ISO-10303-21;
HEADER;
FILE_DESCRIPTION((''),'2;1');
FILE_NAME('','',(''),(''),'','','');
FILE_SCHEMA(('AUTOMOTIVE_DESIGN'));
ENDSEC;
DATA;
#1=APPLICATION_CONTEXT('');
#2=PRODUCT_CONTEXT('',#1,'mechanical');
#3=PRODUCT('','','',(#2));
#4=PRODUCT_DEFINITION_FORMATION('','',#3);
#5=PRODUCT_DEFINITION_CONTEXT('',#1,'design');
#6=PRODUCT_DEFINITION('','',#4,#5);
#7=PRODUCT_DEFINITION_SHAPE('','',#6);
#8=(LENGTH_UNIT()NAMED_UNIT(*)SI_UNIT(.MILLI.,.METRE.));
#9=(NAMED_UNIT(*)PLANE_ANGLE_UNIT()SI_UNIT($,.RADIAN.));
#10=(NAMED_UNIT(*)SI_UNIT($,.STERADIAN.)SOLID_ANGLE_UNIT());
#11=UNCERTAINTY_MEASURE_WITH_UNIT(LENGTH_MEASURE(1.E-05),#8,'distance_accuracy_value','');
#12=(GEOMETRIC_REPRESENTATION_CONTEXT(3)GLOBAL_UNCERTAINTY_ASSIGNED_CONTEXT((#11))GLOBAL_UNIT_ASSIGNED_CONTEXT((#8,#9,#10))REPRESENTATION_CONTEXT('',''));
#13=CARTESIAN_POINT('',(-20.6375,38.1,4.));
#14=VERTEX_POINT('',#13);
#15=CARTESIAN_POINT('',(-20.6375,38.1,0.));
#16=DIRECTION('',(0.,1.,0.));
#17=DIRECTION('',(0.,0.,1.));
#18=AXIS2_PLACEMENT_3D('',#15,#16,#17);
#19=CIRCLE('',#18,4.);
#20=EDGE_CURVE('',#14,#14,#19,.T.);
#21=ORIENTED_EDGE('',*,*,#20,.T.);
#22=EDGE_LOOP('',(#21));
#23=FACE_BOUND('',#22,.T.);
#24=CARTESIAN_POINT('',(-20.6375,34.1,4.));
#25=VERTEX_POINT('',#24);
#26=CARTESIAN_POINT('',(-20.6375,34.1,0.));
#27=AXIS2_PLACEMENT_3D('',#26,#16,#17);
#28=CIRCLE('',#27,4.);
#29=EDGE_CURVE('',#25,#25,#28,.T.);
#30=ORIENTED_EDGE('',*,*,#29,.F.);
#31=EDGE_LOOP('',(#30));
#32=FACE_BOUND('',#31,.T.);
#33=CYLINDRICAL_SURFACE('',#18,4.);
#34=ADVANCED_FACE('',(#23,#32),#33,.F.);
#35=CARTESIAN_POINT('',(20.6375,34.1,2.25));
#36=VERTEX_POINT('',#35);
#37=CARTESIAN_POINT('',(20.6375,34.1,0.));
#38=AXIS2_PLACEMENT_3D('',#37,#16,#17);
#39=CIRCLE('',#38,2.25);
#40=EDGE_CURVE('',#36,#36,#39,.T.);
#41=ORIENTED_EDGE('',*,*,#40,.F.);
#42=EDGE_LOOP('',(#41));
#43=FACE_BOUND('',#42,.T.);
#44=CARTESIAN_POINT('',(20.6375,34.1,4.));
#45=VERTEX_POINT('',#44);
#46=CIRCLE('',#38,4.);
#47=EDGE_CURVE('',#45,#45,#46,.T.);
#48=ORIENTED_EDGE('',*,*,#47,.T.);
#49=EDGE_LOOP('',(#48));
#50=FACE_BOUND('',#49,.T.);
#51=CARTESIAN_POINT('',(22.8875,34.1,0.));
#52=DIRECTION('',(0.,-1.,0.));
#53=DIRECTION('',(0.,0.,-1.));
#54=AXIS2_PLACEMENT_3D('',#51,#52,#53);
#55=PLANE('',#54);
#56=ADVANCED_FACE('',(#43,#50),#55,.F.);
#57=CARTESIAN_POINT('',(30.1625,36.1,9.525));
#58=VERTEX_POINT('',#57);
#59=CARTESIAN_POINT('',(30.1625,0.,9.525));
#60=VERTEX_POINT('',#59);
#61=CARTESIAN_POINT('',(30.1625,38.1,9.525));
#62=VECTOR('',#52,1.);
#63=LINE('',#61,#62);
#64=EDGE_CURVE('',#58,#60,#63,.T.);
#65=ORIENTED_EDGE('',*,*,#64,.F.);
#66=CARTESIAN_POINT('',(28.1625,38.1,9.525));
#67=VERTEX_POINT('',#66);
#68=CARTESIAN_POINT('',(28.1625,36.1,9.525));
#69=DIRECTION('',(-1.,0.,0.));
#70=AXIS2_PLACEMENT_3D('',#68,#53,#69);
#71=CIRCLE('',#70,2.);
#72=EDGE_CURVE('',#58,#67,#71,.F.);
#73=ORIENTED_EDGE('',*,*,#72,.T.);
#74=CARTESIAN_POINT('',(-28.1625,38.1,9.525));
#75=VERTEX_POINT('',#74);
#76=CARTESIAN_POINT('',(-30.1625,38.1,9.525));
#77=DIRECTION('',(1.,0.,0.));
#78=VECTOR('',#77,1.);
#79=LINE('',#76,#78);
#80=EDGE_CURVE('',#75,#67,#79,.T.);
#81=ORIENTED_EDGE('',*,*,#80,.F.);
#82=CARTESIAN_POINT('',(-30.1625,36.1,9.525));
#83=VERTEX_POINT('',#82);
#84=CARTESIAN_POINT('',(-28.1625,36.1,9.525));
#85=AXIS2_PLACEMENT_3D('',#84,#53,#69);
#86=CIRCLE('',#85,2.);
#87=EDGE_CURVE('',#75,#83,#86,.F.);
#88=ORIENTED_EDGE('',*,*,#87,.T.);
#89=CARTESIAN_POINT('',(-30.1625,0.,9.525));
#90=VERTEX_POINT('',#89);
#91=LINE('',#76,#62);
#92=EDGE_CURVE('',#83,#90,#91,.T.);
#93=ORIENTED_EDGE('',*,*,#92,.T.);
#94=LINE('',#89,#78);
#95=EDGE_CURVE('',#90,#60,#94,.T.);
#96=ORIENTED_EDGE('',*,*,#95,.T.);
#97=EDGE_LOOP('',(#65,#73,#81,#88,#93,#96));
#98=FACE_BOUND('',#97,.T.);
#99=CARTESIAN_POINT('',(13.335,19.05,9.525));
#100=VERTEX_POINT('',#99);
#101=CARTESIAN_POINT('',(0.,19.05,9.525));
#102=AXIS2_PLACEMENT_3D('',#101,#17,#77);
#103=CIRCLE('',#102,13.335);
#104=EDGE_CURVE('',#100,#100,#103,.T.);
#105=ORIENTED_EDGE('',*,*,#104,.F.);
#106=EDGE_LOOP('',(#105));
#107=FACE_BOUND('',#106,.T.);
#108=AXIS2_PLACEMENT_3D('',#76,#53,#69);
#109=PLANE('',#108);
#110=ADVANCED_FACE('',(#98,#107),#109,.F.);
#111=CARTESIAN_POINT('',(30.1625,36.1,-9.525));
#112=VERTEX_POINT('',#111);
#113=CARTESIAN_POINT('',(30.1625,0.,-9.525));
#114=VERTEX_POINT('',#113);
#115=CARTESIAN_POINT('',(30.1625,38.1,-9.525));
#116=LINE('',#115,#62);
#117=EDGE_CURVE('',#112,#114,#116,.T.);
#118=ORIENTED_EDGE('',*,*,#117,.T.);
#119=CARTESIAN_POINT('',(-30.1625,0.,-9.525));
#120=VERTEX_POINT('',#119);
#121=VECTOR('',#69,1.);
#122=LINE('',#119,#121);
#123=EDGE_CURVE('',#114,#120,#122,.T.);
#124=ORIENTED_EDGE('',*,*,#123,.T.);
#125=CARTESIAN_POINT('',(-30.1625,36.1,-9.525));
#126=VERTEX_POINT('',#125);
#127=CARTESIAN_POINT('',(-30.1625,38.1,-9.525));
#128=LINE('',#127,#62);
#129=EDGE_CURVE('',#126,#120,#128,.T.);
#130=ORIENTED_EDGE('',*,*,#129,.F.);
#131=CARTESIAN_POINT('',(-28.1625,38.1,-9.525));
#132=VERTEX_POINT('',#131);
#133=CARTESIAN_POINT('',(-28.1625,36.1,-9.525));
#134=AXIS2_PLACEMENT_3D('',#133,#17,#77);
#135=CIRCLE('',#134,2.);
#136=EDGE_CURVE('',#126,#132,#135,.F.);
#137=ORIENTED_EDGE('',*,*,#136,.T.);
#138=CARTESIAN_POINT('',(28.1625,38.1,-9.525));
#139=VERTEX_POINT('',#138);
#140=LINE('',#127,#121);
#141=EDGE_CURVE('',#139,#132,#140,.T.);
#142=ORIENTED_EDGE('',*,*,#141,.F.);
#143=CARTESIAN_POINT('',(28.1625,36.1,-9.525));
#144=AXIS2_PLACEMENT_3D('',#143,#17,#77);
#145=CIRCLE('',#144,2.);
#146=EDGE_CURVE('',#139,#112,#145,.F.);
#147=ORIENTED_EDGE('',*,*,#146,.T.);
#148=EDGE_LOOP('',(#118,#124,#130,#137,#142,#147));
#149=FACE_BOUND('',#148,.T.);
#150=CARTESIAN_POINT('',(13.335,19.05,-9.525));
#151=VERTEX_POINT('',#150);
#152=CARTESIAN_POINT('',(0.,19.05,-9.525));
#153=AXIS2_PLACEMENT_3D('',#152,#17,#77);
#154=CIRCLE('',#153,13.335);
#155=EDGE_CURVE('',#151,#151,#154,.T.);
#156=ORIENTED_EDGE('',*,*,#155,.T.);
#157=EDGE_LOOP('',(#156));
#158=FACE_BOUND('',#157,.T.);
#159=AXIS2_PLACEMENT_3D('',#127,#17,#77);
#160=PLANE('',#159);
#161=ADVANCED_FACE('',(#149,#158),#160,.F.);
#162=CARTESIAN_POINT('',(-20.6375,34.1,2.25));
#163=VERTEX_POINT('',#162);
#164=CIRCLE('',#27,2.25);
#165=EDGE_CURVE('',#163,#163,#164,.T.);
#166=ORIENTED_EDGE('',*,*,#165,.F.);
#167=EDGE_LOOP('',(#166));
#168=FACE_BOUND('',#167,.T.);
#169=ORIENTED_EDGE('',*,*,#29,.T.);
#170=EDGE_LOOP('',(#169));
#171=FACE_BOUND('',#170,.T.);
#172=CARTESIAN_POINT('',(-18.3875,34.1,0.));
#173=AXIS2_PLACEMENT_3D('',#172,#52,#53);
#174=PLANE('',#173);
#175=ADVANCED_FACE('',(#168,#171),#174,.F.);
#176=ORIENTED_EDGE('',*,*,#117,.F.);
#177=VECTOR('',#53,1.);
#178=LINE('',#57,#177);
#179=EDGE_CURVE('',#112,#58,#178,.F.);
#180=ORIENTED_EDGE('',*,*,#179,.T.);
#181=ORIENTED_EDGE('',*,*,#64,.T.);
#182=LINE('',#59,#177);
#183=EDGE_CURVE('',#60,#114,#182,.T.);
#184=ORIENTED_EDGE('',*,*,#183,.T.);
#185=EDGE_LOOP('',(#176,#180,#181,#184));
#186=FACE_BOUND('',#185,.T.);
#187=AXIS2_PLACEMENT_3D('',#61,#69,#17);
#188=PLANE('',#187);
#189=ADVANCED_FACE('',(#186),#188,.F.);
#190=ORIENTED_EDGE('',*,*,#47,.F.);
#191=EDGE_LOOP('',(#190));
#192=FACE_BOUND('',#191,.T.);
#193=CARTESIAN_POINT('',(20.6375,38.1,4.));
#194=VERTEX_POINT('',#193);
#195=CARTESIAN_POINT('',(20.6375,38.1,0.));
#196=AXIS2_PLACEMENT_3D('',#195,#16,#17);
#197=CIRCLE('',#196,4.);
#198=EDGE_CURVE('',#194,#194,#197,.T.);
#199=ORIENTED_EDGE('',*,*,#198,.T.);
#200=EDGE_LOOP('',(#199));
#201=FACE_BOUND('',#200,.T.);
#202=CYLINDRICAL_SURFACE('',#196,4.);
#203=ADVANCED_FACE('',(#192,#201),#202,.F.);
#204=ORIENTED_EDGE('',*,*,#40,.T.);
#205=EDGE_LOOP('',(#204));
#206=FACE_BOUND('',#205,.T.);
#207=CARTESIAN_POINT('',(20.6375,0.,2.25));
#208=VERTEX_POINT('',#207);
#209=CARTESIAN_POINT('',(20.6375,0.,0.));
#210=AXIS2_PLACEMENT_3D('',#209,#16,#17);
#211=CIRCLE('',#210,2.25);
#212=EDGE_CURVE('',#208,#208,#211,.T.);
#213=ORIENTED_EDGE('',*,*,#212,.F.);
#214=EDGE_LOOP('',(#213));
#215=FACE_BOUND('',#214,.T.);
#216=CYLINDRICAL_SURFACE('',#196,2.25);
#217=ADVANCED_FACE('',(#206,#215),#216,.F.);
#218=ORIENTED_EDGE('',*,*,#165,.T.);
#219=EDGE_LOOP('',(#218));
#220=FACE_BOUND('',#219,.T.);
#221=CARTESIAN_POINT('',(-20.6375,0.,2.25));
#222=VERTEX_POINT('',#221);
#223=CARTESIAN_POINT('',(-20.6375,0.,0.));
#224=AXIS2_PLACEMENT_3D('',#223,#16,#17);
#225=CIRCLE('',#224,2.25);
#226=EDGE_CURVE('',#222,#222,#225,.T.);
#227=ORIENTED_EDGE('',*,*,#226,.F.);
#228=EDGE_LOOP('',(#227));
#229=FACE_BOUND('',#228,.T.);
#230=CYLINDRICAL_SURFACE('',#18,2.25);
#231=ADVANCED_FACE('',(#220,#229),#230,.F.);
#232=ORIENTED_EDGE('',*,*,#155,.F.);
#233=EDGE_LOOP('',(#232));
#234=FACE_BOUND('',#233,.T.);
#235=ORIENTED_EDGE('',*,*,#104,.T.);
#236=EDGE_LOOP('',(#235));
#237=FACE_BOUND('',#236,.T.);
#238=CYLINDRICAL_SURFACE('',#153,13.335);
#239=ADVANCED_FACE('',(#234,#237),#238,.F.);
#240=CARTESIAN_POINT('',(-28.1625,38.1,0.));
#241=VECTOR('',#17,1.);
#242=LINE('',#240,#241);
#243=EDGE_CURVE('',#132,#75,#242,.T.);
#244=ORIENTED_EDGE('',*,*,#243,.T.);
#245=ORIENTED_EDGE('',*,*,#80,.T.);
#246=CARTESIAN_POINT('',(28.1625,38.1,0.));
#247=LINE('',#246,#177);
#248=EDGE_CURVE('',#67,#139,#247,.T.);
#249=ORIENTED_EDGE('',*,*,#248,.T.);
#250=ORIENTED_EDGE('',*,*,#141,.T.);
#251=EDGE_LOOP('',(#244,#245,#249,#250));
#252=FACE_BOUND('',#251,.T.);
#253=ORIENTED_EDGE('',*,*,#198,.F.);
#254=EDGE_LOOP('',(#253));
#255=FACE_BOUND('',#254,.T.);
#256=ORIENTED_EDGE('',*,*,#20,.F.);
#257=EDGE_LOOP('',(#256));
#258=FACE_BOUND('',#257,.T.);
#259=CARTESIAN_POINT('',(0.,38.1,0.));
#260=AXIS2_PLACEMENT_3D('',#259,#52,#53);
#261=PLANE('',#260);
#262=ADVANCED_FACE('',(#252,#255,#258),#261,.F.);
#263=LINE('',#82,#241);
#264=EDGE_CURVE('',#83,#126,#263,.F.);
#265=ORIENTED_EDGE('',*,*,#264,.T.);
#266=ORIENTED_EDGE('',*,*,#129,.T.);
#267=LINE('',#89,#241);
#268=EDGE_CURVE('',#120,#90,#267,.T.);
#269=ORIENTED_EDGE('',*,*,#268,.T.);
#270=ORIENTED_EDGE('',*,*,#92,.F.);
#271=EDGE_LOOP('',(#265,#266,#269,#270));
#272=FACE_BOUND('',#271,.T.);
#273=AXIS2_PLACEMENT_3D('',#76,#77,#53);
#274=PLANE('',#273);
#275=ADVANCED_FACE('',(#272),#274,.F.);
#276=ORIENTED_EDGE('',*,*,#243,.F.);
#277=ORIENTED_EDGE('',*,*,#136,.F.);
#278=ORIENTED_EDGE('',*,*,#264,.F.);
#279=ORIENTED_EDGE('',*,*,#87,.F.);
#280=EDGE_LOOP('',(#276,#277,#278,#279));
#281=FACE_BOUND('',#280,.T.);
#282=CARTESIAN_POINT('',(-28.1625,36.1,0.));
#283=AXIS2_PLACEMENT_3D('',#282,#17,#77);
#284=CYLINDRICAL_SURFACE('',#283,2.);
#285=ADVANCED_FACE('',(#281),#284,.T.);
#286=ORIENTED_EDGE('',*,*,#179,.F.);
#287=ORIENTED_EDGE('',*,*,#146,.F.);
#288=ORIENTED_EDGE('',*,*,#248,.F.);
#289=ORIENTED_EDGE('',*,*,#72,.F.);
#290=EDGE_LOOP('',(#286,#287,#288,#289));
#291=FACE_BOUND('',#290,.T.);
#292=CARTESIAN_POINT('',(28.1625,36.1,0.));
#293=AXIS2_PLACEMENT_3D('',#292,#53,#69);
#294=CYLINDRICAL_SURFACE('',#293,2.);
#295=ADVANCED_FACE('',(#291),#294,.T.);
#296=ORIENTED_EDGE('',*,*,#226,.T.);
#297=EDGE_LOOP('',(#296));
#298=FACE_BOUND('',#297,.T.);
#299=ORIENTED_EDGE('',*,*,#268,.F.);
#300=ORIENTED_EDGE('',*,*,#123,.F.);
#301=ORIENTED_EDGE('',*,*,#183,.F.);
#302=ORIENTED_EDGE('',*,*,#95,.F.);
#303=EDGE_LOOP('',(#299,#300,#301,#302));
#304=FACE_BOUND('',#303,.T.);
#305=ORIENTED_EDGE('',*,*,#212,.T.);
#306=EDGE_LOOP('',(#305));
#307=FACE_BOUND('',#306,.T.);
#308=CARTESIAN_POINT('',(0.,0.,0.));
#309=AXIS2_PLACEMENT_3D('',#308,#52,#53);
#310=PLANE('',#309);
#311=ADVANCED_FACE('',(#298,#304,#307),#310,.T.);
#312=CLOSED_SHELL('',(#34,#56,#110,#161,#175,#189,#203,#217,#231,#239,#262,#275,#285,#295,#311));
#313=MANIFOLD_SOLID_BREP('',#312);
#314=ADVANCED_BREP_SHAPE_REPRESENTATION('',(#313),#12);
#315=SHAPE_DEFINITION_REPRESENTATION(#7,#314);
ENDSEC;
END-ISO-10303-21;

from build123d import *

# Parameters (mm, degrees)
SKETCH1_W                      = 60.325
SKETCH1_H                      = 19.05
BOSS_EXTRUDE1_DEPTH            = 38.1
SKETCH2_R                      = 13.335
CUT_EXTRUDE1_DEPTH             = 20.05
CBORE_FOR_M4_SHCS1_D           = 4.5
CBORE_FOR_M4_SHCS1_CBORE_D     = 8
CBORE_FOR_M4_SHCS1_CBORE_DEPTH = 4
FILLET1_R                      = 2


with BuildPart() as part:
    # Sketch1 → Boss-Extrude1 (new body)
    with BuildSketch(Plane(origin=(0, 0, 0), x_dir=(1, 0, 0), z_dir=(0, 1, 0))):
        Rectangle(SKETCH1_W, SKETCH1_H)
    extrude(amount=BOSS_EXTRUDE1_DEPTH)

    # Sketch2 → Cut-Extrude1 (cut, through all)
    with BuildSketch(Plane.XY.offset(9.525)):
        with Locations((0, 19.05)):
            Circle(SKETCH2_R)
    extrude(amount=-CUT_EXTRUDE1_DEPTH, mode=Mode.SUBTRACT)

    # CBORE for M4 SHCS1 (through all)
    with Locations(Plane(origin=(0, 38.1, 0), x_dir=(1, 0, 0), z_dir=(0, 1, 0))):
        with Locations((-20.6375, 0), (20.6375, 0)):
            CounterBoreHole(CBORE_FOR_M4_SHCS1_D / 2, CBORE_FOR_M4_SHCS1_CBORE_D / 2, CBORE_FOR_M4_SHCS1_CBORE_DEPTH)

    # Fillet1
    fillet1_edges = [part.edges().sort_by_distance(p)[0] for p in [
        (-30.1625, 38.1, 0),
        (30.1625, 38.1, 0),
    ]]
    fillet(fillet1_edges, radius=FILLET1_R)


solid = part.part
